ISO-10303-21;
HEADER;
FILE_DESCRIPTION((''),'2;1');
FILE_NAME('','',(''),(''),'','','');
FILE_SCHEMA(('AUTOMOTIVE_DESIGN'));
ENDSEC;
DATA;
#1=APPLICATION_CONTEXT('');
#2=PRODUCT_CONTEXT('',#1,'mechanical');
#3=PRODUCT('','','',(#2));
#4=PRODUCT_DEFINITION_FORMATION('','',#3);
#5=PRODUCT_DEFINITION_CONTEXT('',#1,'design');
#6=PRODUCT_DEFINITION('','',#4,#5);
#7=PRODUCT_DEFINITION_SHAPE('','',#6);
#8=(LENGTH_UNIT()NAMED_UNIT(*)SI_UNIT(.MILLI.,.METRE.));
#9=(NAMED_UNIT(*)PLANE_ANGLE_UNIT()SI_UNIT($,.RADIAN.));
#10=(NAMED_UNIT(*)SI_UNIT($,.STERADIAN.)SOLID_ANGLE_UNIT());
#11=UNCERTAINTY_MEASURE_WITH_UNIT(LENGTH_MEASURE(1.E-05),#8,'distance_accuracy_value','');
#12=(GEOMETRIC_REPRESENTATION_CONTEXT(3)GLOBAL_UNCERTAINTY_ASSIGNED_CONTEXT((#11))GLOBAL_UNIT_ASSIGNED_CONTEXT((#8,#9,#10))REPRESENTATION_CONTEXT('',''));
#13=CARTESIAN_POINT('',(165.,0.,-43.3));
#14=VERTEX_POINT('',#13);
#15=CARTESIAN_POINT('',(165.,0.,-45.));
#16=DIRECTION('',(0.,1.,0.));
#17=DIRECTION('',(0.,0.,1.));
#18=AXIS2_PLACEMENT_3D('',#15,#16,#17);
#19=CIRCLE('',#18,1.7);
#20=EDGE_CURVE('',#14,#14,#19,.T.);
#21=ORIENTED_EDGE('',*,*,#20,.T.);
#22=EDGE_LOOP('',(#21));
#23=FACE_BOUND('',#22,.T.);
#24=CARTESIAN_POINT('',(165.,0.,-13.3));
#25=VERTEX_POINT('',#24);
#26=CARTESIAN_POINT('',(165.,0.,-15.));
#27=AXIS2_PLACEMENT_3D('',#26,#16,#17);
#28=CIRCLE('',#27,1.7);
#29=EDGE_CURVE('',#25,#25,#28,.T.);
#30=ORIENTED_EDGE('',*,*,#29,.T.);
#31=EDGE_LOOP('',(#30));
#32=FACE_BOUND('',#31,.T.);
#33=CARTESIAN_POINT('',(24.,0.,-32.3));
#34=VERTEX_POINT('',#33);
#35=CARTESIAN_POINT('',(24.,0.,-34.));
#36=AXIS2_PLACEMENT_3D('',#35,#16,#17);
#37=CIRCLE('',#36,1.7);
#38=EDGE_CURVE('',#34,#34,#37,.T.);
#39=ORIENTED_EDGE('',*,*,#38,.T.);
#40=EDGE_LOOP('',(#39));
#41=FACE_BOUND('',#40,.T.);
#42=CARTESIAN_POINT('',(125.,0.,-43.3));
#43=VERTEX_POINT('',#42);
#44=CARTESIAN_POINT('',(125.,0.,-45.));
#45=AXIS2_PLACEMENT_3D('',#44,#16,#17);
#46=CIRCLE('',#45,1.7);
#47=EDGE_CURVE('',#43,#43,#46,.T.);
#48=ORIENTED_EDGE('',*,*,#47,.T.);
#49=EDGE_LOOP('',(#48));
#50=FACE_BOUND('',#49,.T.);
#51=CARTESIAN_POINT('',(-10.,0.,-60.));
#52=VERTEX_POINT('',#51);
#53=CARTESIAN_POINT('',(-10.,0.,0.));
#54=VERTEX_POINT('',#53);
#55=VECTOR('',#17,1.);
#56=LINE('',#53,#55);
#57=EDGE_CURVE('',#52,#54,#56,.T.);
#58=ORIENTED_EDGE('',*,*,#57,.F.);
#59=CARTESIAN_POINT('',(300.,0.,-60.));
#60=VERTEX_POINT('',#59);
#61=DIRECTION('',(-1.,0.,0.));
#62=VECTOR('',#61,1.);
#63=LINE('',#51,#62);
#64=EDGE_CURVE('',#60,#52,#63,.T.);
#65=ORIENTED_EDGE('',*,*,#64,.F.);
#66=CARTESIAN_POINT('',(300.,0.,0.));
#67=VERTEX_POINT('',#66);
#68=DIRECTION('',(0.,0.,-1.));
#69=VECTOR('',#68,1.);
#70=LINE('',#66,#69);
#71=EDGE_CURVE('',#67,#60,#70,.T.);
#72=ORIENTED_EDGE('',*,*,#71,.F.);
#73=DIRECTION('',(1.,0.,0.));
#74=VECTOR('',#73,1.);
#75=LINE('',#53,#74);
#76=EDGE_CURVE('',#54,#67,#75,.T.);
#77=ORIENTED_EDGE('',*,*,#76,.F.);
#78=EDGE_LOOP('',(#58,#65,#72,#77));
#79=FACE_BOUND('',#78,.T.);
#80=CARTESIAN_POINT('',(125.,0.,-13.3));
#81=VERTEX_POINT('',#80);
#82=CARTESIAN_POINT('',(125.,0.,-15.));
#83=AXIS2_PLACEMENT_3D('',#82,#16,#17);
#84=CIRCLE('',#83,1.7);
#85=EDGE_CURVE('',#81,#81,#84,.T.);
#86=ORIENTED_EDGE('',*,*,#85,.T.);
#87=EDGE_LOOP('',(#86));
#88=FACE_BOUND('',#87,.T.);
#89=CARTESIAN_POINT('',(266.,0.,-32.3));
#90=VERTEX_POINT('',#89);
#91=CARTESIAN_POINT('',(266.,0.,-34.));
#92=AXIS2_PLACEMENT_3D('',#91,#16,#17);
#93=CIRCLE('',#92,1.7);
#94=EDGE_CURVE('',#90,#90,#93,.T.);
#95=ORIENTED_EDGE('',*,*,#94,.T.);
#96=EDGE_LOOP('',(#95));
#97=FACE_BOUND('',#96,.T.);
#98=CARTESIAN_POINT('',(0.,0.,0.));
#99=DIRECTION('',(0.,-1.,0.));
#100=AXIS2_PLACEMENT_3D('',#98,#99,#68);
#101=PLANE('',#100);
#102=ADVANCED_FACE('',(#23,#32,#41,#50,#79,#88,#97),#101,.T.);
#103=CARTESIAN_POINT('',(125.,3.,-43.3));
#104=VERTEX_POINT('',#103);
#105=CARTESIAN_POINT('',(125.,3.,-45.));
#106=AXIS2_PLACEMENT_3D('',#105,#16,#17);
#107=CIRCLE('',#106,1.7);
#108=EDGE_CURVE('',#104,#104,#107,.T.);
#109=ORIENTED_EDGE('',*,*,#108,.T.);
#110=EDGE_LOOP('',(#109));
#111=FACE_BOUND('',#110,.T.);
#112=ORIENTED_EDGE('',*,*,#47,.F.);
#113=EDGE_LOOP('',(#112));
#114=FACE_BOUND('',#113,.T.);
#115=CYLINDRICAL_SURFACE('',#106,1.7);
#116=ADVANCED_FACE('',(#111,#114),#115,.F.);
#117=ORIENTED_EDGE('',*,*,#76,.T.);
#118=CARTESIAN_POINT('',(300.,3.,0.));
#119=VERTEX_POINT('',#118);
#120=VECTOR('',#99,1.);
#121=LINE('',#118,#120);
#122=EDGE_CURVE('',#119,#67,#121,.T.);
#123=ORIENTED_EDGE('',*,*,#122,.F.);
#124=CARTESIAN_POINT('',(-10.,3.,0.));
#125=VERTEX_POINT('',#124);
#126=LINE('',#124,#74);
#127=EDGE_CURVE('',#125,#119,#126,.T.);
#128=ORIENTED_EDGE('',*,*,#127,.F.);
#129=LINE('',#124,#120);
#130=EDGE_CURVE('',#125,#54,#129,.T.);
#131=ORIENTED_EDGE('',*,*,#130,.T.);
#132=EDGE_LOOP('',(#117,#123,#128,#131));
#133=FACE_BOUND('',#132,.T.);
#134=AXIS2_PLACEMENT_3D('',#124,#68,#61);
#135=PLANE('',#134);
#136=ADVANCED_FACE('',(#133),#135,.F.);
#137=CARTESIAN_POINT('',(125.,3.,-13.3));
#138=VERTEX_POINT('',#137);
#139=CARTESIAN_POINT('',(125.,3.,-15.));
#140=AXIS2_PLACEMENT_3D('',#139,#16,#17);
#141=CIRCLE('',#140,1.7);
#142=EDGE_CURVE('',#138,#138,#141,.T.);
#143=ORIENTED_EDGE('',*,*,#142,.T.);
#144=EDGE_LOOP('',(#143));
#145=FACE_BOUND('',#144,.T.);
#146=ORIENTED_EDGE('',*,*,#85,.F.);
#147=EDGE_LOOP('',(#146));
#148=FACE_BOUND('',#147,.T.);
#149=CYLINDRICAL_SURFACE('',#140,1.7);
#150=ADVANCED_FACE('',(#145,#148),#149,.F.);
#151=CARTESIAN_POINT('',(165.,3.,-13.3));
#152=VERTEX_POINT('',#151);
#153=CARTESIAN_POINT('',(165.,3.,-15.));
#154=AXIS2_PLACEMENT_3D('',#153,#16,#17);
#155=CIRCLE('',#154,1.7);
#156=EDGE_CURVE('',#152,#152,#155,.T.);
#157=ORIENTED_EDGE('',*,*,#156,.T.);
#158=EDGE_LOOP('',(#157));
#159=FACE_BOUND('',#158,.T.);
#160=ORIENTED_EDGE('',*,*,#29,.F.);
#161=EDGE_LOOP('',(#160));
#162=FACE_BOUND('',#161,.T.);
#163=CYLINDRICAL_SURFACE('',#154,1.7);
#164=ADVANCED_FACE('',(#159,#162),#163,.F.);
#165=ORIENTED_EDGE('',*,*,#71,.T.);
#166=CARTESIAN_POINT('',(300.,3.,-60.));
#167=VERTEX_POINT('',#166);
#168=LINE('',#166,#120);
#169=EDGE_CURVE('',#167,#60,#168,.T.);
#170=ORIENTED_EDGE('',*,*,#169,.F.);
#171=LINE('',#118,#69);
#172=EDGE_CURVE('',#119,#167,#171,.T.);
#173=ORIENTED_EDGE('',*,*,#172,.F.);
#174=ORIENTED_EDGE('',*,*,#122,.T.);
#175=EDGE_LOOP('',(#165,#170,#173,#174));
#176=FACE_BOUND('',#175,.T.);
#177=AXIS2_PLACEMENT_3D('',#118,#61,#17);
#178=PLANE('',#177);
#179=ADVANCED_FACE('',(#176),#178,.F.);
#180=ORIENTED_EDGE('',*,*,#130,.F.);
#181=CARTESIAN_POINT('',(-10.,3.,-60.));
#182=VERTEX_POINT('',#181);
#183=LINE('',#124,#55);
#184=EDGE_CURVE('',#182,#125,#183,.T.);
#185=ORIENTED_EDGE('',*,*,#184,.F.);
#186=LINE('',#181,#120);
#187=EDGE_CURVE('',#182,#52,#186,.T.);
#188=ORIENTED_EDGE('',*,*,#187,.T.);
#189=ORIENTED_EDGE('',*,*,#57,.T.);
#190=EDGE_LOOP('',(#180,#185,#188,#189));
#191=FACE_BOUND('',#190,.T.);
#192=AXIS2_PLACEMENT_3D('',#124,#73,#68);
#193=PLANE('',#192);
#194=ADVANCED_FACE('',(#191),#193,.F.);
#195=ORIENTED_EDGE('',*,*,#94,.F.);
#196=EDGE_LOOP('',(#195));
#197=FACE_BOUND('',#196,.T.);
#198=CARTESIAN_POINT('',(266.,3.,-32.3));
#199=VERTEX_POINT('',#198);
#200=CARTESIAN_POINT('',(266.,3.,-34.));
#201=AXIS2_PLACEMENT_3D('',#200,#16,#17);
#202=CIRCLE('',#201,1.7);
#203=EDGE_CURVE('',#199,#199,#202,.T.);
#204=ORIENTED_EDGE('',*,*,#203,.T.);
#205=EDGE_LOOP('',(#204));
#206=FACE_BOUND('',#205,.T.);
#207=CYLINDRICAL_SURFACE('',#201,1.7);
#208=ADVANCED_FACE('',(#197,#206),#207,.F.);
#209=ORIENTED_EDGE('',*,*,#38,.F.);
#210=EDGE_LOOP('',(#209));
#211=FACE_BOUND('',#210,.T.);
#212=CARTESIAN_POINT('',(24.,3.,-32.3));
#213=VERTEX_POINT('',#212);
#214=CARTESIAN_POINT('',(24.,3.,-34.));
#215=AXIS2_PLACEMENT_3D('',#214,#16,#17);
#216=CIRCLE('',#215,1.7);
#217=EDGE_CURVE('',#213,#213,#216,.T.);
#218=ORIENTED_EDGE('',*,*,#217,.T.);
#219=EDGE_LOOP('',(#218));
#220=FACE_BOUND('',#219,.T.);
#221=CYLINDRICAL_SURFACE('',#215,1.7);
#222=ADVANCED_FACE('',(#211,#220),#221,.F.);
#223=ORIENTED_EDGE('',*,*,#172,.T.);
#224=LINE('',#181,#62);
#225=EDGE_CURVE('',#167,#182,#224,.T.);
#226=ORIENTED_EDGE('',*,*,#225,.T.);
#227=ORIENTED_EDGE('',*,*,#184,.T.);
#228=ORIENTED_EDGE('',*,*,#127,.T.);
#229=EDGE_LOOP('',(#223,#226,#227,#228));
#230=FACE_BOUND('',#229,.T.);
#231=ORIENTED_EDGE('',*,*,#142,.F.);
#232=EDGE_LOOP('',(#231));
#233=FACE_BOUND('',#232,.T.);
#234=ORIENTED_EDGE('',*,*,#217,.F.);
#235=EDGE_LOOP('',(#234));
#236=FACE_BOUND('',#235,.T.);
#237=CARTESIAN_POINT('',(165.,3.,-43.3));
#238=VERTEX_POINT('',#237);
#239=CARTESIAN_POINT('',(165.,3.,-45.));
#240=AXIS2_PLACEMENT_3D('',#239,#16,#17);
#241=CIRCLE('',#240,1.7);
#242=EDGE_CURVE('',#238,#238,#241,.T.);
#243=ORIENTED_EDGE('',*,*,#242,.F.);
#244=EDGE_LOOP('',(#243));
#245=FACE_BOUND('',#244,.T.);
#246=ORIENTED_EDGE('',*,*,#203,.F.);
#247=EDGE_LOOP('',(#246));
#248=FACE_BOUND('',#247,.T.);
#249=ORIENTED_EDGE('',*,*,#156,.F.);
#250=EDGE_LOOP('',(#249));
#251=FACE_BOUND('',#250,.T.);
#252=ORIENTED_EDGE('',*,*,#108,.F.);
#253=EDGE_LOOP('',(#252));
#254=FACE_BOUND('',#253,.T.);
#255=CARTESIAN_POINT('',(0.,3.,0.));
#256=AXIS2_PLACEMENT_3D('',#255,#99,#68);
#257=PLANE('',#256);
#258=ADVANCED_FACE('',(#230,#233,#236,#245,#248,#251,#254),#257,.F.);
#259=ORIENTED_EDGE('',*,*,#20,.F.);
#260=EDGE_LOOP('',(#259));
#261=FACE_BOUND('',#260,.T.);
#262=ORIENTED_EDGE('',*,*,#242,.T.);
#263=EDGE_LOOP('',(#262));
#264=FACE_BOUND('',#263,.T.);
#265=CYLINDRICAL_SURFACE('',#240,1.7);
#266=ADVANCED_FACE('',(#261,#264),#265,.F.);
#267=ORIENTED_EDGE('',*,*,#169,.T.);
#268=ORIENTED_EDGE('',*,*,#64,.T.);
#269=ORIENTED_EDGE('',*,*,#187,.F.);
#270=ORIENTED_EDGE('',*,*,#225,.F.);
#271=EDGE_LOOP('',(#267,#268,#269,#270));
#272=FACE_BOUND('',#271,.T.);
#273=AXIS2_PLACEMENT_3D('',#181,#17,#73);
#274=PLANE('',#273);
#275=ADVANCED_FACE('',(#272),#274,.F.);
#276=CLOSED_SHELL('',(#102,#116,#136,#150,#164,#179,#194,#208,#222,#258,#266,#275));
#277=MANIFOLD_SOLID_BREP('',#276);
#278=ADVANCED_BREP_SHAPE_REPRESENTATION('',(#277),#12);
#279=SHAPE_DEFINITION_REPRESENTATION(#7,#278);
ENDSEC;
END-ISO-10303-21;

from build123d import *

# Parameters (mm, degrees)
SKETCH1_W           = 310
SKETCH1_H           = 60
BOSS_EXTRUDE1_DEPTH = 3
OTW_R_POD_RUB_M31_D = 3.4


with BuildPart() as part:
    # Sketch1 → Boss-Extrude1 (new body)
    with BuildSketch(Plane(origin=(0, 0, 0), x_dir=(1, 0, 0), z_dir=(0, 1, 0))):
        with Locations((145, 30)):
            Rectangle(SKETCH1_W, SKETCH1_H)
    extrude(amount=BOSS_EXTRUDE1_DEPTH)

    # Otwór pod śrubę M31 (through all)
    with Locations(Plane(origin=(0, 3, 0), x_dir=(1, 0, 0), z_dir=(0, 1, 0))):
        with Locations((266, 34), (24, 34), (125, 15), (165, 15), (165, 45), (125, 45)):
            Hole(OTW_R_POD_RUB_M31_D / 2)


solid = part.part
